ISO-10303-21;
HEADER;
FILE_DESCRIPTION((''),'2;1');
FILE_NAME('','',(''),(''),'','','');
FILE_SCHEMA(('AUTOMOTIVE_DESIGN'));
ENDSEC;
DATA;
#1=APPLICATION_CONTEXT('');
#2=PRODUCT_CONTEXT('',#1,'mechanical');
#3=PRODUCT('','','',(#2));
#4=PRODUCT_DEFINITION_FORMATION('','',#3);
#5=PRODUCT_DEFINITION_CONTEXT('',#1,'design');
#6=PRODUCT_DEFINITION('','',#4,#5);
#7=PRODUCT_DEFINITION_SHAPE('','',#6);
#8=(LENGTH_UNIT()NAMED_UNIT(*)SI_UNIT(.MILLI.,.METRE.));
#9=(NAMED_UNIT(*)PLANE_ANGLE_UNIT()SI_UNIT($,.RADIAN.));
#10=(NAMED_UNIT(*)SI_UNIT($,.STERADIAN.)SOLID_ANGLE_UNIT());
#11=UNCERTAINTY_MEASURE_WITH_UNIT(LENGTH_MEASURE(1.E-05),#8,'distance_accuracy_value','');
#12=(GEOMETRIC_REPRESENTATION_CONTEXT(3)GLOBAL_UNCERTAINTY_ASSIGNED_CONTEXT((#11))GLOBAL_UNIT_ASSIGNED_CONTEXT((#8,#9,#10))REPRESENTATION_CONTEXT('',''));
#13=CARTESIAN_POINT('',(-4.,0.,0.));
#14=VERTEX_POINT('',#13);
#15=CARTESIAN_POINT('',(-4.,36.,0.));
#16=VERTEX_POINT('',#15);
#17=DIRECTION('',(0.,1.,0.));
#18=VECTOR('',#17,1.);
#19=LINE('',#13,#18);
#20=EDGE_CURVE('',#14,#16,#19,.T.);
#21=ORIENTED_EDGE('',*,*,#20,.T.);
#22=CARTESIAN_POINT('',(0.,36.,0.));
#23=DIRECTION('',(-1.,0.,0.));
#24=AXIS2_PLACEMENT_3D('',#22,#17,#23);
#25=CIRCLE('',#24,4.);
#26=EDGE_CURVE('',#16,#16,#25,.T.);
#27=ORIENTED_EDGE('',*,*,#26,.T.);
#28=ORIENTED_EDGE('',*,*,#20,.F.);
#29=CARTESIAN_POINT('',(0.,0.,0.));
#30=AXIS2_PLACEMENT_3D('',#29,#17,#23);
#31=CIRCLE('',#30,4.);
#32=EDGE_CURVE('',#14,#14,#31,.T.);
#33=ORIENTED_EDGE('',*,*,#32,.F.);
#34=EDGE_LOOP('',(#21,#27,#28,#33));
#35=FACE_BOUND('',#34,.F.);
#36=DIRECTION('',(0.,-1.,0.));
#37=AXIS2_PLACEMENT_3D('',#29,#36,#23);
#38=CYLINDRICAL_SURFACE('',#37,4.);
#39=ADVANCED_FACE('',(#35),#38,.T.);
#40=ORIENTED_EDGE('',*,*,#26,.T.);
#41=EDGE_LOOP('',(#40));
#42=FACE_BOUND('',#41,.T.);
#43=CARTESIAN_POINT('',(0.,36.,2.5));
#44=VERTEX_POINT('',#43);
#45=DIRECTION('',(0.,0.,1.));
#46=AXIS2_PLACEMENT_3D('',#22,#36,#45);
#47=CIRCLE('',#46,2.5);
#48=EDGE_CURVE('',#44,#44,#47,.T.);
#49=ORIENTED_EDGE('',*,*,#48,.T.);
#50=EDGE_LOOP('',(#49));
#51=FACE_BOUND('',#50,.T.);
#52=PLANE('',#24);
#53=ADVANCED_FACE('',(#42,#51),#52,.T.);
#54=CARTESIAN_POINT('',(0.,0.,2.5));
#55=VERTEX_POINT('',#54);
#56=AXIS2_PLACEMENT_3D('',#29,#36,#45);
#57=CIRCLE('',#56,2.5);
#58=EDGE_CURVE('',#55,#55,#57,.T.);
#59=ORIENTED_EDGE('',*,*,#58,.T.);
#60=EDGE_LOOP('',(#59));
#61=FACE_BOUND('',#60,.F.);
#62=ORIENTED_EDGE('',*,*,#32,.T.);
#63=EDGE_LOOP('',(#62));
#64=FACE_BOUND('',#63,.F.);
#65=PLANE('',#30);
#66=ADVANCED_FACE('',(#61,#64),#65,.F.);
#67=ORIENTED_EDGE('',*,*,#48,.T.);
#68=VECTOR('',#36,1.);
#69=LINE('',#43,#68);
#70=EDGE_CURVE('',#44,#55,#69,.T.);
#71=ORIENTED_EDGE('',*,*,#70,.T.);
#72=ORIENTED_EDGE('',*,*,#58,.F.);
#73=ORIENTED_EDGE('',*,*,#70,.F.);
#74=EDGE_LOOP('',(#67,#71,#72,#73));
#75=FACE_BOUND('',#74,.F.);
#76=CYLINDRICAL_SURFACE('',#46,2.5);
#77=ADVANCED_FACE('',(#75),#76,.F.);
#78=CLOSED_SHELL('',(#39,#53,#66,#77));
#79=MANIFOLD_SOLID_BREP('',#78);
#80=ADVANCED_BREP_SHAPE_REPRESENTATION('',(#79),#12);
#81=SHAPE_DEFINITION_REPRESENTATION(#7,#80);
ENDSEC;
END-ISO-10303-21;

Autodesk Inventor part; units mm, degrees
ref_plane "YZ Plane" through (0, 0, 0) normal (1, 0, 0) x (0, 1, 0)
ref_plane "XZ Plane" through (0, 0, 0) normal (0, 1, 0) x (-1, 0, 0)
ref_plane "XY Plane" through (0, 0, 0) normal (0, 0, 1) x (1, 0, 0)
sketch "Esboço1" plane through (0, 0, 0) normal (0, 1, 0) x (-1, 0, 0)
  circle A0 centre (0, 0) radius 4
  dimension "d1" = 8
extrude "Extrusão1" add sketch "Esboço1" along normal blind 36
sketch "Esboço2" plane through (0, 36, 0) normal (0, 1, 0) x (1, 0, 0)
  circle A0 centre (0, 0) radius 4 projected
hole "Furo1" at (0, 36, 0) direction (0, -1, 0) diameter 5 end through all
equation "\"d9\" = Espessura"
equation "\"Raio_vergadura\" = Espessura"
equation "\"Largura_alívio_de_vergadura\" = Espessura"
equation "\"Profundidade_alívio_de_vergadura\" = 0.5 * Espessura"
equation "\"Tamanho_alívio_de_dobra\" = 4 * Espessura"
equation "\"Remanescente_mínimo\" = 2 * Espessura"
equation "\"Raiodetransição\" = Raio_vergadura"
equation "\"Tamanho_de_raio_de_Jacobi\" = Raio_vergadura"
equation "\"TamanhoFolga\" = Espessura"
equation "\"Espessura\" = 0.5"
properties part number "Espaçador do motor" material "Brass, Soft Yellow"
